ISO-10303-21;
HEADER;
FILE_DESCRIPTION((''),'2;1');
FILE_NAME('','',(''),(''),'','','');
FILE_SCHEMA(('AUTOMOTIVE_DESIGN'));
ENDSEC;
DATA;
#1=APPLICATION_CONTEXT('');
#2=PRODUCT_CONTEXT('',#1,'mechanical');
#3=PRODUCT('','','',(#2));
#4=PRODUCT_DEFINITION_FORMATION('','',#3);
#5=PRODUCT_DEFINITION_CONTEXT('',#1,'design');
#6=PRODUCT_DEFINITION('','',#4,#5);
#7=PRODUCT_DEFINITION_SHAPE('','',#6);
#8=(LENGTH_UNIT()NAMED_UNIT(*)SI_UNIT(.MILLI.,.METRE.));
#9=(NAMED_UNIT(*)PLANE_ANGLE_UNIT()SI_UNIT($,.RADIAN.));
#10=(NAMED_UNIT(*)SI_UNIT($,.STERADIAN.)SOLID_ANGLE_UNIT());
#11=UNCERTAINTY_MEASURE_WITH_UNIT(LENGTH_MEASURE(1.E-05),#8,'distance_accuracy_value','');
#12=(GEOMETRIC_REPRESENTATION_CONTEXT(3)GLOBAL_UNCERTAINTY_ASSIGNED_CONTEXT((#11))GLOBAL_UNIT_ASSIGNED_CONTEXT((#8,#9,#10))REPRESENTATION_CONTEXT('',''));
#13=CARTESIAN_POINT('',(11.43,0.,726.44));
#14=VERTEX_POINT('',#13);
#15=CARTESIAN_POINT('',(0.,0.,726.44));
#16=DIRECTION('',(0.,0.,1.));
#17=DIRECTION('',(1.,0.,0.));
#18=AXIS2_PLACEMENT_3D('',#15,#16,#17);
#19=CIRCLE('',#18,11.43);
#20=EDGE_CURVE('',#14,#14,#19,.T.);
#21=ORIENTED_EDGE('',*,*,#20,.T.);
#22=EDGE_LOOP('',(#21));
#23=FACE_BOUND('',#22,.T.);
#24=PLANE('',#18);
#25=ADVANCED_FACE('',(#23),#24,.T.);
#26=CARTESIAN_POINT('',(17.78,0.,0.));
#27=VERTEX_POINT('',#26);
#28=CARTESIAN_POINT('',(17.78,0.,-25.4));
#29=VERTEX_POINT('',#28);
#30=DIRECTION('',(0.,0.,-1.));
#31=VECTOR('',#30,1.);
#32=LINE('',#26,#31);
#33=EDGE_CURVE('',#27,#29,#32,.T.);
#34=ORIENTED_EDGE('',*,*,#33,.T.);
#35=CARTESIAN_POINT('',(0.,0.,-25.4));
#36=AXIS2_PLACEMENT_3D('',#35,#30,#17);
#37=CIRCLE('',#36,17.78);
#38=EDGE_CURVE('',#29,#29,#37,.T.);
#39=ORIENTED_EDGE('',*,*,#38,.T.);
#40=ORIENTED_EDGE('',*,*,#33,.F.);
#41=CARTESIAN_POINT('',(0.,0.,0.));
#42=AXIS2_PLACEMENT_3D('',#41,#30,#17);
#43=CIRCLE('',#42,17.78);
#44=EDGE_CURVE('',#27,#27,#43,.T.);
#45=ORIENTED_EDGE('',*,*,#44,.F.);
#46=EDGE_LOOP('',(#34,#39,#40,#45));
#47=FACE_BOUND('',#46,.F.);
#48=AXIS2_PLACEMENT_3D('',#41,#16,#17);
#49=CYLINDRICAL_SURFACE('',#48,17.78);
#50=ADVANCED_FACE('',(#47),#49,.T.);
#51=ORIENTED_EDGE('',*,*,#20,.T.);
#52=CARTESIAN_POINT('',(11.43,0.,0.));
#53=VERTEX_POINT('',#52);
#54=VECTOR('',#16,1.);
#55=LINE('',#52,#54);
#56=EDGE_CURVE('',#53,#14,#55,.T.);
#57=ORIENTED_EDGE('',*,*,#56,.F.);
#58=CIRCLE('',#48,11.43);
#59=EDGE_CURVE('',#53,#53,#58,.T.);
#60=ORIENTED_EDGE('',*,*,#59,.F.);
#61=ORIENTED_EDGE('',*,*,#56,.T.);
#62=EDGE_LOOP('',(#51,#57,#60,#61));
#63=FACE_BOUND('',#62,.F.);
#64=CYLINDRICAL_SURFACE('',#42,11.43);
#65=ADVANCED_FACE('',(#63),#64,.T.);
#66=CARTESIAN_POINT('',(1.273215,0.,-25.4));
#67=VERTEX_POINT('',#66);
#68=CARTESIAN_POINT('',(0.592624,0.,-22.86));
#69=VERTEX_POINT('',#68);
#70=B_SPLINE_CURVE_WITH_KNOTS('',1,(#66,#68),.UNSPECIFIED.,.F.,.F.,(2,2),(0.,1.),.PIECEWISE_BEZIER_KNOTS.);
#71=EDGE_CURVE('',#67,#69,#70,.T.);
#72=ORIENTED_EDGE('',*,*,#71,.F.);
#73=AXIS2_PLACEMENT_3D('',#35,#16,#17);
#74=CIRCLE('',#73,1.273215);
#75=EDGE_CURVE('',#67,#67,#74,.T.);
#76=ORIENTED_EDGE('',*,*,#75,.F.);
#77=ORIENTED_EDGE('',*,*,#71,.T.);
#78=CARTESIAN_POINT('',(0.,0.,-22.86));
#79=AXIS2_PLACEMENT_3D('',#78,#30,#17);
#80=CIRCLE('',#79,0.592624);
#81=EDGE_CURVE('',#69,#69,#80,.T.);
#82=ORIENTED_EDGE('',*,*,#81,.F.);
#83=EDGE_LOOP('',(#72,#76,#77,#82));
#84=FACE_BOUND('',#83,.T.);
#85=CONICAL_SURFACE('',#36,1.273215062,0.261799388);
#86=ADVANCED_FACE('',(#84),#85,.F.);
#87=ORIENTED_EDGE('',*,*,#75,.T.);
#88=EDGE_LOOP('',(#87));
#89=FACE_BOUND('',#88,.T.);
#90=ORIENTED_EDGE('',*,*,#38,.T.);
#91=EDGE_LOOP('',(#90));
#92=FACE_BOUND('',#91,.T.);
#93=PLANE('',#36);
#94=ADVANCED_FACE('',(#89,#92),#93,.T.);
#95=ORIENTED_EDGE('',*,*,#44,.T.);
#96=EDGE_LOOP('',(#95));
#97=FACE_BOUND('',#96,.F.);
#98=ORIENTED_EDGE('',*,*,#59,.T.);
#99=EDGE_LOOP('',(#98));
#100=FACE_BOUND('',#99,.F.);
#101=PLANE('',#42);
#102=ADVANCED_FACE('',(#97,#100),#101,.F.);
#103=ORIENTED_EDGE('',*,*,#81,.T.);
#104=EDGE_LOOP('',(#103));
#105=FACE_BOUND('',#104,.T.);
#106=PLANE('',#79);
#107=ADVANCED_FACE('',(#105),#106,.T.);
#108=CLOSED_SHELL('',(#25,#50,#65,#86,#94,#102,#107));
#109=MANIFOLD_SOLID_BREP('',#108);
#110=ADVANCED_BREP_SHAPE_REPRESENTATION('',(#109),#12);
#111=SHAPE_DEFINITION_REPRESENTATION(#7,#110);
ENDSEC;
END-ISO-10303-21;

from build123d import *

# Parameters (mm, degrees)
F0_R     = 11.43
F1_DEPTH = 774.7
F2_R     = 17.78
F3_DEPTH = 25.4
F4_DEPTH = 48.26
F5_R     = 1.2732150617
F6_DEPTH = 2.54
F6_TAPER = 15


with BuildPart() as f1:
    # F0 (on Top) → F1 (new body)
    with BuildSketch(Plane.XY):
        Circle(F0_R)
    extrude(amount=F1_DEPTH)

    # F2 (on face) → F3 (join)
    with BuildSketch(Plane(origin=(0, 0, 0), x_dir=(1, 0, 0), z_dir=(0, 0, -1))):
        Circle(F2_R)
    extrude(amount=F3_DEPTH)

    # F4 (cut): a face of the model
    f4_faces = [f1.faces().sort_by_distance(p)[0] for p in [
        (0, 0, 774.7),
    ]]
    extrude(f4_faces, amount=-F4_DEPTH, mode=Mode.SUBTRACT)

    # F5 (on face) → F6 (cut)
    with BuildSketch(Plane(origin=(0, 0, -25.4), x_dir=(1, 0, 0), z_dir=(0, 0, -1))):
        Circle(F5_R)
    extrude(amount=-F6_DEPTH, taper=F6_TAPER, mode=Mode.SUBTRACT)


solid = f1.part
